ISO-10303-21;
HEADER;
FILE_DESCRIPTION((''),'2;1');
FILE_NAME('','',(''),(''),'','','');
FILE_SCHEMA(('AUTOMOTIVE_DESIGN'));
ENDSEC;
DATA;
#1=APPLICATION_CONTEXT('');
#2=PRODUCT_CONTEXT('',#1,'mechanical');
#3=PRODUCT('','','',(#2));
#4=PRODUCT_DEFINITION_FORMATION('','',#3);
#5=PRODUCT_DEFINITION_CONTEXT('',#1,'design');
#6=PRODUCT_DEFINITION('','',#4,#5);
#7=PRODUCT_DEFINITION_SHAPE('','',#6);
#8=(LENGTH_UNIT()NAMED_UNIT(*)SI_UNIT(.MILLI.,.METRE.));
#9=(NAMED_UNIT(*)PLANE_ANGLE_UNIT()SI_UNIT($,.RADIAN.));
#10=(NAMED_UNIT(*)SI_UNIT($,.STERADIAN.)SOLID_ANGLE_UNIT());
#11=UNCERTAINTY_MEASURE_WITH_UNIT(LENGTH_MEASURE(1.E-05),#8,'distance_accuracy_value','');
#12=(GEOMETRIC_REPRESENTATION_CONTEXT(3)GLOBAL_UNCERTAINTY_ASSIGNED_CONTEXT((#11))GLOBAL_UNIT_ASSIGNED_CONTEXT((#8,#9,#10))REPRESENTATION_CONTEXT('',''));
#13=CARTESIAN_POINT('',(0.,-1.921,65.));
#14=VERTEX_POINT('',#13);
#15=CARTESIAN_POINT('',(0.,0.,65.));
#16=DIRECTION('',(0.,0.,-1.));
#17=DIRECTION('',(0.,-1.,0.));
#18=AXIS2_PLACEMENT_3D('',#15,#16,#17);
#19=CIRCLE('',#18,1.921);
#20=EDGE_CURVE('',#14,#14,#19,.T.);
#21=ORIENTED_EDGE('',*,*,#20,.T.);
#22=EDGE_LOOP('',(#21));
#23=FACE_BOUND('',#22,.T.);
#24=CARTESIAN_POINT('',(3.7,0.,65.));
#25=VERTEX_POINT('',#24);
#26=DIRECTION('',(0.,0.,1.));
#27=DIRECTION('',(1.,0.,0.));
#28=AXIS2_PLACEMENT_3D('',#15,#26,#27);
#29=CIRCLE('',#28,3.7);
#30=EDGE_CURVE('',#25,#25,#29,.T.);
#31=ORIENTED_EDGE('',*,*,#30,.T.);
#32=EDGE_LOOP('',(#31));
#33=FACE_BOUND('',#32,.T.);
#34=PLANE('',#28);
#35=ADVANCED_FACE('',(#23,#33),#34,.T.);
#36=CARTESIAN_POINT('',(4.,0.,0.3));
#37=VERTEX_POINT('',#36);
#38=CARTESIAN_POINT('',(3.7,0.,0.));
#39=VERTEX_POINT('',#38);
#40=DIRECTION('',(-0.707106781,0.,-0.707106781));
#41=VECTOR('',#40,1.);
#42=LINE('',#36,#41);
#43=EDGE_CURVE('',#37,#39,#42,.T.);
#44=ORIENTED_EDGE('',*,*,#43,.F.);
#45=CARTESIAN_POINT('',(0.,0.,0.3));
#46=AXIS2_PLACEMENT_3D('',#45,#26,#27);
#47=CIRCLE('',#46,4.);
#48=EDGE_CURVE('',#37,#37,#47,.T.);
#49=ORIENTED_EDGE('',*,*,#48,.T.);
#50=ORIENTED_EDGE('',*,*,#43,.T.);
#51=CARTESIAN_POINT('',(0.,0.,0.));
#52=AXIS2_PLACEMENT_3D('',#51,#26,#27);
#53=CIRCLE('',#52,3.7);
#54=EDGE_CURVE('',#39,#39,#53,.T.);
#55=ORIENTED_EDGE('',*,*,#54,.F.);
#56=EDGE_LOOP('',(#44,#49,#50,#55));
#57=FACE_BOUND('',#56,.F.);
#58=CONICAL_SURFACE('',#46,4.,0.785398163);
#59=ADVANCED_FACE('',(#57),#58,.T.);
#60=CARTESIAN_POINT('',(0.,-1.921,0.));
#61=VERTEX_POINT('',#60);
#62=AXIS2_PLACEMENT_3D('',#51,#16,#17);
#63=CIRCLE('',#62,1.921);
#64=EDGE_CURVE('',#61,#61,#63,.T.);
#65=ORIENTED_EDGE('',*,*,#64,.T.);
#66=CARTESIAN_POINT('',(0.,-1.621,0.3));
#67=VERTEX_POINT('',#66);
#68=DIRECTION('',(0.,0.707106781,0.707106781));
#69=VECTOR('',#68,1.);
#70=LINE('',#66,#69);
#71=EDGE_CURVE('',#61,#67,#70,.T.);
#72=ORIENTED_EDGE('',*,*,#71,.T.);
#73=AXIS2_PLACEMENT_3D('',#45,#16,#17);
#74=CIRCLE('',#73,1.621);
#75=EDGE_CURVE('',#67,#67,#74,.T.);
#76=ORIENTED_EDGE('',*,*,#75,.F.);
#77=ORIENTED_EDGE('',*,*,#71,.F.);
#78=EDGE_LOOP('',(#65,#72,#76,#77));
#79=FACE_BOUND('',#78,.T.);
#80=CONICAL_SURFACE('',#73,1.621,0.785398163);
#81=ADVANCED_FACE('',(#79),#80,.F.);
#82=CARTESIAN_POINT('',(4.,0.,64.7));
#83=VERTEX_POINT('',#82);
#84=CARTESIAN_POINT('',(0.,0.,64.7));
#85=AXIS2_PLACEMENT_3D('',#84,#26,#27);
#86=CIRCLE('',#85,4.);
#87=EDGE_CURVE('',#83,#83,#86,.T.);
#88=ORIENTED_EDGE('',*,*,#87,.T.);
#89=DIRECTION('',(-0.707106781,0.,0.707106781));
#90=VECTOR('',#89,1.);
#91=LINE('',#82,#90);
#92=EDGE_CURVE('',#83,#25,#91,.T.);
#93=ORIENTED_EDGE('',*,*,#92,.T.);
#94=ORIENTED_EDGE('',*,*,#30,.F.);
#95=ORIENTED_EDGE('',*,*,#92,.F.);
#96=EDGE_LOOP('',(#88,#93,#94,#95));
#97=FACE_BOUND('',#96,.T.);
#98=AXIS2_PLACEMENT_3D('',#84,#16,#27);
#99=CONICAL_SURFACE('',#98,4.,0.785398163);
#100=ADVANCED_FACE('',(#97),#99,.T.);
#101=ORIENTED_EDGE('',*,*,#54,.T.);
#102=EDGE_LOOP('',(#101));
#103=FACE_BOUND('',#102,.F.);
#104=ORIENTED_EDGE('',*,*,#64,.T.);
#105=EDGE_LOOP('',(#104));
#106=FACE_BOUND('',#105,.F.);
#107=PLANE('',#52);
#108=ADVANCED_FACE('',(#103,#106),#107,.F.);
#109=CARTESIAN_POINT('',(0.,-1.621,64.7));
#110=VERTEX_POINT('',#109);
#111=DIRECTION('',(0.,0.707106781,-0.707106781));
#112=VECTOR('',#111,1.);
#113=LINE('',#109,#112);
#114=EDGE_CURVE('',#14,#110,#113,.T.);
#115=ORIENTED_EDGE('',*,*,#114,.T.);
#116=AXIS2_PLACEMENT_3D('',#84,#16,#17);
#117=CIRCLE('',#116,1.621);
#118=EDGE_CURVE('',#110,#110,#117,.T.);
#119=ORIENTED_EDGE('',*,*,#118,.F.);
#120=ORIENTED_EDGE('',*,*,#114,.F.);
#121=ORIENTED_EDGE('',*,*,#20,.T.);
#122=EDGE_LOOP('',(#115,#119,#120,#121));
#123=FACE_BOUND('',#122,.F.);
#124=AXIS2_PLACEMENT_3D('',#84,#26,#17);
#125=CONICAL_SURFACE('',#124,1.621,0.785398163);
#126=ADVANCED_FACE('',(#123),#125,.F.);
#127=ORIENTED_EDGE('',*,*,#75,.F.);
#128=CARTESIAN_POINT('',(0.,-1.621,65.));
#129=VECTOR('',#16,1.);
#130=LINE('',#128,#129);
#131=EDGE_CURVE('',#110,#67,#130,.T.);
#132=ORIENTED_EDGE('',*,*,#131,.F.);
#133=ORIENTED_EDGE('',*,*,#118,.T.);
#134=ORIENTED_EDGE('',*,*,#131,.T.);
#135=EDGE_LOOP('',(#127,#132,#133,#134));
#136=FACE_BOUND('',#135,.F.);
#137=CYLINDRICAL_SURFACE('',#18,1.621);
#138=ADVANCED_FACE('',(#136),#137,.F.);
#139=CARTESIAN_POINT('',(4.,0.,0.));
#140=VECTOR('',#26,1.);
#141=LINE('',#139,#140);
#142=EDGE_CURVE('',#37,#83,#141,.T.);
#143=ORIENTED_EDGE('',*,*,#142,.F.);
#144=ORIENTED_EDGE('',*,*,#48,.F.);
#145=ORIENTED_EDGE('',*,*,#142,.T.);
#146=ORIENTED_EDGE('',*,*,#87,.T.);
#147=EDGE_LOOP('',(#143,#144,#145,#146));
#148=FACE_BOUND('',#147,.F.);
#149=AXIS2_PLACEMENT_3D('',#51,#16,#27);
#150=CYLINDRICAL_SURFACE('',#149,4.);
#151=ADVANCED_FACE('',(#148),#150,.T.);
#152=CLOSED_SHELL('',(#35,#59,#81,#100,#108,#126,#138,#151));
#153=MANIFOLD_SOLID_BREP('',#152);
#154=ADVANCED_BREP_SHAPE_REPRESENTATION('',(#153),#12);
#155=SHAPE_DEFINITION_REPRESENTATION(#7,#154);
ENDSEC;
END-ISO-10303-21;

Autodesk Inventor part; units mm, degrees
ref_plane "YZ Plane" through (0, 0, 0) normal (1, 0, 0) x (0, 1, 0)
ref_plane "XZ Plane" through (0, 0, 0) normal (0, 1, 0) x (-1, 0, 0)
ref_plane "XY Plane" through (0, 0, 0) normal (0, 0, 1) x (1, 0, 0)
sketch "スケッチ1" plane through (0, 0, 0) normal (0, 0, 1) x (1, 0, 0)
  circle A0 centre (0, 0) radius 4
  dimension "d0" = 8
extrude "押し出し1" add sketch "スケッチ1" along normal blind 65
sketch "スケッチ2" plane through (0, 0, 65) normal (0, 0, 1) x (1, 0, 0)
  point P0 (0, 0)
hole "穴1" at (0, 0, 65) direction (0, 0, -1) diameter 3.242 end through all thread size "M4x0.7" class "6H" standard "ISO Metric profile"
chamfer "面取り1" distance 0.3 angle 45 4 edges at (-4, 0, 65) (0, 1.621, 65) (0, 1.621, 0) (-4, 0, 0)
properties part number "p8l65ALshaft"
